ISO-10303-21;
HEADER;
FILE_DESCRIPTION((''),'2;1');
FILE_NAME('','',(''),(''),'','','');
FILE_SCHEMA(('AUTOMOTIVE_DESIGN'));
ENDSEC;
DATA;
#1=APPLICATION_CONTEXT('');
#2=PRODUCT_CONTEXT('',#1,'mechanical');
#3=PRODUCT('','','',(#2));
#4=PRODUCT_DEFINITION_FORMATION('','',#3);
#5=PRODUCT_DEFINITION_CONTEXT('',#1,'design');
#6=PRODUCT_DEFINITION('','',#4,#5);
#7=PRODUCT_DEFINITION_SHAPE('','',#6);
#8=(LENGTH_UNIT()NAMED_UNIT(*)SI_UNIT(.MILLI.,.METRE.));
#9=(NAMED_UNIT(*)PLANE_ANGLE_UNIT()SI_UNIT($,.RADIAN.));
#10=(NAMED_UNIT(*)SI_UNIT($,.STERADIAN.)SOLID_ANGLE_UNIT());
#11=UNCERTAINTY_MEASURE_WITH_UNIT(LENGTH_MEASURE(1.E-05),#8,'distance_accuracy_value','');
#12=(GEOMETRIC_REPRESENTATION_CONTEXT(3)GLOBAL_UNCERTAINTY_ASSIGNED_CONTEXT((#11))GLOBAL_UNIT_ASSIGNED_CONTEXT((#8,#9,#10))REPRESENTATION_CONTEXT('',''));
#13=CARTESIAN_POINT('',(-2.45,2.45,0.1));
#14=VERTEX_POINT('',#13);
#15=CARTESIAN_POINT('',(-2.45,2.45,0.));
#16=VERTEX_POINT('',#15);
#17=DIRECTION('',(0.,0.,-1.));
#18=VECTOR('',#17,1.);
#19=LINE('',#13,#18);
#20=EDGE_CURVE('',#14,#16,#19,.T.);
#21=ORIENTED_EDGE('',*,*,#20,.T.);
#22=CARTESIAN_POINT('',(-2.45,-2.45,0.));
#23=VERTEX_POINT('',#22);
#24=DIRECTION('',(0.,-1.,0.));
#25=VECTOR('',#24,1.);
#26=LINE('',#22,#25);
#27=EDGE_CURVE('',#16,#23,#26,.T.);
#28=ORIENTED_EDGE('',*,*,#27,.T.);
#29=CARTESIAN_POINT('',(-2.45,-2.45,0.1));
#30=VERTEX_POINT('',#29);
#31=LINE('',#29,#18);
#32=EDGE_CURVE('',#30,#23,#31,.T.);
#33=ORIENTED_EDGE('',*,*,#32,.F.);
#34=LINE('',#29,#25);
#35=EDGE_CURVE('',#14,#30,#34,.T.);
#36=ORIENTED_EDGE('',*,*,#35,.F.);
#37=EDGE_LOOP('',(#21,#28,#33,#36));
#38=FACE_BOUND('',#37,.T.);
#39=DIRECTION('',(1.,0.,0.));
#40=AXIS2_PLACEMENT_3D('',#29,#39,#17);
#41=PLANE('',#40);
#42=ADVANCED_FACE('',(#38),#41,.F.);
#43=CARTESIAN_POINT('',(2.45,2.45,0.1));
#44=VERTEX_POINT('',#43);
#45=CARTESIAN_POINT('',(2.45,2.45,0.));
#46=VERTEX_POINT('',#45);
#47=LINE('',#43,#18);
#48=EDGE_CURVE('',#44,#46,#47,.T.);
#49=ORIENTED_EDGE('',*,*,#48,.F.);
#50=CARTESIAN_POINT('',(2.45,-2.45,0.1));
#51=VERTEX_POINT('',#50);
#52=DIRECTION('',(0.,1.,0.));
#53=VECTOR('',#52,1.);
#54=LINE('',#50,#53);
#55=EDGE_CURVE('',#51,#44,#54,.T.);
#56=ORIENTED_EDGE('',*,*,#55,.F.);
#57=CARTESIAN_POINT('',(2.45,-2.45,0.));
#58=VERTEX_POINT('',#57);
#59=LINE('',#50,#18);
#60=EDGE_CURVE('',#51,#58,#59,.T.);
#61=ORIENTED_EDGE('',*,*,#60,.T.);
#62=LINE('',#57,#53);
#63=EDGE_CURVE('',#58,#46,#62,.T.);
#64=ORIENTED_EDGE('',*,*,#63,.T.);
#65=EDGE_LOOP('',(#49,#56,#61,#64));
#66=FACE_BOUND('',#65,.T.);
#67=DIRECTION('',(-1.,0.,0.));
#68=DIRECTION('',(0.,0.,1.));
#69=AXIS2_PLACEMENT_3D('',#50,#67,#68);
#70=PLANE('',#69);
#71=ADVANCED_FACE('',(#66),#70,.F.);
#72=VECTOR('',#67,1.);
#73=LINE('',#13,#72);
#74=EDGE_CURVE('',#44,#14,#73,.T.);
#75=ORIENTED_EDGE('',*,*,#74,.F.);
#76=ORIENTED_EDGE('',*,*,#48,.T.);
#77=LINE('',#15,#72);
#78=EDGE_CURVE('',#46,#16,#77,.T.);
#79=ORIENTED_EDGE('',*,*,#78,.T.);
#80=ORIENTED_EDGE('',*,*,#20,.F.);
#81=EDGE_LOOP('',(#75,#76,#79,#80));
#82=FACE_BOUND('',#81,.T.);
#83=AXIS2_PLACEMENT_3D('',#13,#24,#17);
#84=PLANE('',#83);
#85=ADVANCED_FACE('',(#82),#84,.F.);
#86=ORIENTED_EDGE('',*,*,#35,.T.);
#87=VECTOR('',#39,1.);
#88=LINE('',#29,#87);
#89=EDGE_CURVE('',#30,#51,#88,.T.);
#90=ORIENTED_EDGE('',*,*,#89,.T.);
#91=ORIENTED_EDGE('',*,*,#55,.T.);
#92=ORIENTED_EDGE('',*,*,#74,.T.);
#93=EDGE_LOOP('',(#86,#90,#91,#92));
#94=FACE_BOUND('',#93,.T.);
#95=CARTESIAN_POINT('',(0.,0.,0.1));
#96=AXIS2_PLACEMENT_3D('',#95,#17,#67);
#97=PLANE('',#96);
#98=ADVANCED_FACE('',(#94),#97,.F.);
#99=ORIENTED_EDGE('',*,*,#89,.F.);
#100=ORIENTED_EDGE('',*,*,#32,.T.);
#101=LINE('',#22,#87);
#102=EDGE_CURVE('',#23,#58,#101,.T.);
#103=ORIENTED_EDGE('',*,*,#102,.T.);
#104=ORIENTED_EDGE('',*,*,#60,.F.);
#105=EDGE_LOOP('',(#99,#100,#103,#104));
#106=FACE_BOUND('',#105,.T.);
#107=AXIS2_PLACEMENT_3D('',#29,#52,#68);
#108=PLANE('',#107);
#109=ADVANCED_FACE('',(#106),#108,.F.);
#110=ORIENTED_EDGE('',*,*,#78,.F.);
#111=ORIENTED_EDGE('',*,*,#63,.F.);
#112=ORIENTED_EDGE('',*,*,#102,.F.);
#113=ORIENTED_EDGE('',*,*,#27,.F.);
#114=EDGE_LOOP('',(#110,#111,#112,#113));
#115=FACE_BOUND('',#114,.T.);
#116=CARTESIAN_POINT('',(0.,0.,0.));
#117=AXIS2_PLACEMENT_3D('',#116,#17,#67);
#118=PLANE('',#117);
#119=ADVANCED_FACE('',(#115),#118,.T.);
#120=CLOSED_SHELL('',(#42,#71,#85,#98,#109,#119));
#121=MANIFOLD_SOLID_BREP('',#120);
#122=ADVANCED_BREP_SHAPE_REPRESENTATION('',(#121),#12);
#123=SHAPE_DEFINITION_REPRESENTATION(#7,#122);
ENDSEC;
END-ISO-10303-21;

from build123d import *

# Parameters (mm, degrees)
SKETCH_1_W      = 4.9
SKETCH_1_H      = 4.9
EXTRUDE_1_DEPTH = 0.1


with BuildPart() as part:
    # 草图1 → 凸台-拉伸1 (new body)
    with BuildSketch(Plane.XY):
        Rectangle(SKETCH_1_W, SKETCH_1_H)
    extrude(amount=EXTRUDE_1_DEPTH)


solid = part.part
